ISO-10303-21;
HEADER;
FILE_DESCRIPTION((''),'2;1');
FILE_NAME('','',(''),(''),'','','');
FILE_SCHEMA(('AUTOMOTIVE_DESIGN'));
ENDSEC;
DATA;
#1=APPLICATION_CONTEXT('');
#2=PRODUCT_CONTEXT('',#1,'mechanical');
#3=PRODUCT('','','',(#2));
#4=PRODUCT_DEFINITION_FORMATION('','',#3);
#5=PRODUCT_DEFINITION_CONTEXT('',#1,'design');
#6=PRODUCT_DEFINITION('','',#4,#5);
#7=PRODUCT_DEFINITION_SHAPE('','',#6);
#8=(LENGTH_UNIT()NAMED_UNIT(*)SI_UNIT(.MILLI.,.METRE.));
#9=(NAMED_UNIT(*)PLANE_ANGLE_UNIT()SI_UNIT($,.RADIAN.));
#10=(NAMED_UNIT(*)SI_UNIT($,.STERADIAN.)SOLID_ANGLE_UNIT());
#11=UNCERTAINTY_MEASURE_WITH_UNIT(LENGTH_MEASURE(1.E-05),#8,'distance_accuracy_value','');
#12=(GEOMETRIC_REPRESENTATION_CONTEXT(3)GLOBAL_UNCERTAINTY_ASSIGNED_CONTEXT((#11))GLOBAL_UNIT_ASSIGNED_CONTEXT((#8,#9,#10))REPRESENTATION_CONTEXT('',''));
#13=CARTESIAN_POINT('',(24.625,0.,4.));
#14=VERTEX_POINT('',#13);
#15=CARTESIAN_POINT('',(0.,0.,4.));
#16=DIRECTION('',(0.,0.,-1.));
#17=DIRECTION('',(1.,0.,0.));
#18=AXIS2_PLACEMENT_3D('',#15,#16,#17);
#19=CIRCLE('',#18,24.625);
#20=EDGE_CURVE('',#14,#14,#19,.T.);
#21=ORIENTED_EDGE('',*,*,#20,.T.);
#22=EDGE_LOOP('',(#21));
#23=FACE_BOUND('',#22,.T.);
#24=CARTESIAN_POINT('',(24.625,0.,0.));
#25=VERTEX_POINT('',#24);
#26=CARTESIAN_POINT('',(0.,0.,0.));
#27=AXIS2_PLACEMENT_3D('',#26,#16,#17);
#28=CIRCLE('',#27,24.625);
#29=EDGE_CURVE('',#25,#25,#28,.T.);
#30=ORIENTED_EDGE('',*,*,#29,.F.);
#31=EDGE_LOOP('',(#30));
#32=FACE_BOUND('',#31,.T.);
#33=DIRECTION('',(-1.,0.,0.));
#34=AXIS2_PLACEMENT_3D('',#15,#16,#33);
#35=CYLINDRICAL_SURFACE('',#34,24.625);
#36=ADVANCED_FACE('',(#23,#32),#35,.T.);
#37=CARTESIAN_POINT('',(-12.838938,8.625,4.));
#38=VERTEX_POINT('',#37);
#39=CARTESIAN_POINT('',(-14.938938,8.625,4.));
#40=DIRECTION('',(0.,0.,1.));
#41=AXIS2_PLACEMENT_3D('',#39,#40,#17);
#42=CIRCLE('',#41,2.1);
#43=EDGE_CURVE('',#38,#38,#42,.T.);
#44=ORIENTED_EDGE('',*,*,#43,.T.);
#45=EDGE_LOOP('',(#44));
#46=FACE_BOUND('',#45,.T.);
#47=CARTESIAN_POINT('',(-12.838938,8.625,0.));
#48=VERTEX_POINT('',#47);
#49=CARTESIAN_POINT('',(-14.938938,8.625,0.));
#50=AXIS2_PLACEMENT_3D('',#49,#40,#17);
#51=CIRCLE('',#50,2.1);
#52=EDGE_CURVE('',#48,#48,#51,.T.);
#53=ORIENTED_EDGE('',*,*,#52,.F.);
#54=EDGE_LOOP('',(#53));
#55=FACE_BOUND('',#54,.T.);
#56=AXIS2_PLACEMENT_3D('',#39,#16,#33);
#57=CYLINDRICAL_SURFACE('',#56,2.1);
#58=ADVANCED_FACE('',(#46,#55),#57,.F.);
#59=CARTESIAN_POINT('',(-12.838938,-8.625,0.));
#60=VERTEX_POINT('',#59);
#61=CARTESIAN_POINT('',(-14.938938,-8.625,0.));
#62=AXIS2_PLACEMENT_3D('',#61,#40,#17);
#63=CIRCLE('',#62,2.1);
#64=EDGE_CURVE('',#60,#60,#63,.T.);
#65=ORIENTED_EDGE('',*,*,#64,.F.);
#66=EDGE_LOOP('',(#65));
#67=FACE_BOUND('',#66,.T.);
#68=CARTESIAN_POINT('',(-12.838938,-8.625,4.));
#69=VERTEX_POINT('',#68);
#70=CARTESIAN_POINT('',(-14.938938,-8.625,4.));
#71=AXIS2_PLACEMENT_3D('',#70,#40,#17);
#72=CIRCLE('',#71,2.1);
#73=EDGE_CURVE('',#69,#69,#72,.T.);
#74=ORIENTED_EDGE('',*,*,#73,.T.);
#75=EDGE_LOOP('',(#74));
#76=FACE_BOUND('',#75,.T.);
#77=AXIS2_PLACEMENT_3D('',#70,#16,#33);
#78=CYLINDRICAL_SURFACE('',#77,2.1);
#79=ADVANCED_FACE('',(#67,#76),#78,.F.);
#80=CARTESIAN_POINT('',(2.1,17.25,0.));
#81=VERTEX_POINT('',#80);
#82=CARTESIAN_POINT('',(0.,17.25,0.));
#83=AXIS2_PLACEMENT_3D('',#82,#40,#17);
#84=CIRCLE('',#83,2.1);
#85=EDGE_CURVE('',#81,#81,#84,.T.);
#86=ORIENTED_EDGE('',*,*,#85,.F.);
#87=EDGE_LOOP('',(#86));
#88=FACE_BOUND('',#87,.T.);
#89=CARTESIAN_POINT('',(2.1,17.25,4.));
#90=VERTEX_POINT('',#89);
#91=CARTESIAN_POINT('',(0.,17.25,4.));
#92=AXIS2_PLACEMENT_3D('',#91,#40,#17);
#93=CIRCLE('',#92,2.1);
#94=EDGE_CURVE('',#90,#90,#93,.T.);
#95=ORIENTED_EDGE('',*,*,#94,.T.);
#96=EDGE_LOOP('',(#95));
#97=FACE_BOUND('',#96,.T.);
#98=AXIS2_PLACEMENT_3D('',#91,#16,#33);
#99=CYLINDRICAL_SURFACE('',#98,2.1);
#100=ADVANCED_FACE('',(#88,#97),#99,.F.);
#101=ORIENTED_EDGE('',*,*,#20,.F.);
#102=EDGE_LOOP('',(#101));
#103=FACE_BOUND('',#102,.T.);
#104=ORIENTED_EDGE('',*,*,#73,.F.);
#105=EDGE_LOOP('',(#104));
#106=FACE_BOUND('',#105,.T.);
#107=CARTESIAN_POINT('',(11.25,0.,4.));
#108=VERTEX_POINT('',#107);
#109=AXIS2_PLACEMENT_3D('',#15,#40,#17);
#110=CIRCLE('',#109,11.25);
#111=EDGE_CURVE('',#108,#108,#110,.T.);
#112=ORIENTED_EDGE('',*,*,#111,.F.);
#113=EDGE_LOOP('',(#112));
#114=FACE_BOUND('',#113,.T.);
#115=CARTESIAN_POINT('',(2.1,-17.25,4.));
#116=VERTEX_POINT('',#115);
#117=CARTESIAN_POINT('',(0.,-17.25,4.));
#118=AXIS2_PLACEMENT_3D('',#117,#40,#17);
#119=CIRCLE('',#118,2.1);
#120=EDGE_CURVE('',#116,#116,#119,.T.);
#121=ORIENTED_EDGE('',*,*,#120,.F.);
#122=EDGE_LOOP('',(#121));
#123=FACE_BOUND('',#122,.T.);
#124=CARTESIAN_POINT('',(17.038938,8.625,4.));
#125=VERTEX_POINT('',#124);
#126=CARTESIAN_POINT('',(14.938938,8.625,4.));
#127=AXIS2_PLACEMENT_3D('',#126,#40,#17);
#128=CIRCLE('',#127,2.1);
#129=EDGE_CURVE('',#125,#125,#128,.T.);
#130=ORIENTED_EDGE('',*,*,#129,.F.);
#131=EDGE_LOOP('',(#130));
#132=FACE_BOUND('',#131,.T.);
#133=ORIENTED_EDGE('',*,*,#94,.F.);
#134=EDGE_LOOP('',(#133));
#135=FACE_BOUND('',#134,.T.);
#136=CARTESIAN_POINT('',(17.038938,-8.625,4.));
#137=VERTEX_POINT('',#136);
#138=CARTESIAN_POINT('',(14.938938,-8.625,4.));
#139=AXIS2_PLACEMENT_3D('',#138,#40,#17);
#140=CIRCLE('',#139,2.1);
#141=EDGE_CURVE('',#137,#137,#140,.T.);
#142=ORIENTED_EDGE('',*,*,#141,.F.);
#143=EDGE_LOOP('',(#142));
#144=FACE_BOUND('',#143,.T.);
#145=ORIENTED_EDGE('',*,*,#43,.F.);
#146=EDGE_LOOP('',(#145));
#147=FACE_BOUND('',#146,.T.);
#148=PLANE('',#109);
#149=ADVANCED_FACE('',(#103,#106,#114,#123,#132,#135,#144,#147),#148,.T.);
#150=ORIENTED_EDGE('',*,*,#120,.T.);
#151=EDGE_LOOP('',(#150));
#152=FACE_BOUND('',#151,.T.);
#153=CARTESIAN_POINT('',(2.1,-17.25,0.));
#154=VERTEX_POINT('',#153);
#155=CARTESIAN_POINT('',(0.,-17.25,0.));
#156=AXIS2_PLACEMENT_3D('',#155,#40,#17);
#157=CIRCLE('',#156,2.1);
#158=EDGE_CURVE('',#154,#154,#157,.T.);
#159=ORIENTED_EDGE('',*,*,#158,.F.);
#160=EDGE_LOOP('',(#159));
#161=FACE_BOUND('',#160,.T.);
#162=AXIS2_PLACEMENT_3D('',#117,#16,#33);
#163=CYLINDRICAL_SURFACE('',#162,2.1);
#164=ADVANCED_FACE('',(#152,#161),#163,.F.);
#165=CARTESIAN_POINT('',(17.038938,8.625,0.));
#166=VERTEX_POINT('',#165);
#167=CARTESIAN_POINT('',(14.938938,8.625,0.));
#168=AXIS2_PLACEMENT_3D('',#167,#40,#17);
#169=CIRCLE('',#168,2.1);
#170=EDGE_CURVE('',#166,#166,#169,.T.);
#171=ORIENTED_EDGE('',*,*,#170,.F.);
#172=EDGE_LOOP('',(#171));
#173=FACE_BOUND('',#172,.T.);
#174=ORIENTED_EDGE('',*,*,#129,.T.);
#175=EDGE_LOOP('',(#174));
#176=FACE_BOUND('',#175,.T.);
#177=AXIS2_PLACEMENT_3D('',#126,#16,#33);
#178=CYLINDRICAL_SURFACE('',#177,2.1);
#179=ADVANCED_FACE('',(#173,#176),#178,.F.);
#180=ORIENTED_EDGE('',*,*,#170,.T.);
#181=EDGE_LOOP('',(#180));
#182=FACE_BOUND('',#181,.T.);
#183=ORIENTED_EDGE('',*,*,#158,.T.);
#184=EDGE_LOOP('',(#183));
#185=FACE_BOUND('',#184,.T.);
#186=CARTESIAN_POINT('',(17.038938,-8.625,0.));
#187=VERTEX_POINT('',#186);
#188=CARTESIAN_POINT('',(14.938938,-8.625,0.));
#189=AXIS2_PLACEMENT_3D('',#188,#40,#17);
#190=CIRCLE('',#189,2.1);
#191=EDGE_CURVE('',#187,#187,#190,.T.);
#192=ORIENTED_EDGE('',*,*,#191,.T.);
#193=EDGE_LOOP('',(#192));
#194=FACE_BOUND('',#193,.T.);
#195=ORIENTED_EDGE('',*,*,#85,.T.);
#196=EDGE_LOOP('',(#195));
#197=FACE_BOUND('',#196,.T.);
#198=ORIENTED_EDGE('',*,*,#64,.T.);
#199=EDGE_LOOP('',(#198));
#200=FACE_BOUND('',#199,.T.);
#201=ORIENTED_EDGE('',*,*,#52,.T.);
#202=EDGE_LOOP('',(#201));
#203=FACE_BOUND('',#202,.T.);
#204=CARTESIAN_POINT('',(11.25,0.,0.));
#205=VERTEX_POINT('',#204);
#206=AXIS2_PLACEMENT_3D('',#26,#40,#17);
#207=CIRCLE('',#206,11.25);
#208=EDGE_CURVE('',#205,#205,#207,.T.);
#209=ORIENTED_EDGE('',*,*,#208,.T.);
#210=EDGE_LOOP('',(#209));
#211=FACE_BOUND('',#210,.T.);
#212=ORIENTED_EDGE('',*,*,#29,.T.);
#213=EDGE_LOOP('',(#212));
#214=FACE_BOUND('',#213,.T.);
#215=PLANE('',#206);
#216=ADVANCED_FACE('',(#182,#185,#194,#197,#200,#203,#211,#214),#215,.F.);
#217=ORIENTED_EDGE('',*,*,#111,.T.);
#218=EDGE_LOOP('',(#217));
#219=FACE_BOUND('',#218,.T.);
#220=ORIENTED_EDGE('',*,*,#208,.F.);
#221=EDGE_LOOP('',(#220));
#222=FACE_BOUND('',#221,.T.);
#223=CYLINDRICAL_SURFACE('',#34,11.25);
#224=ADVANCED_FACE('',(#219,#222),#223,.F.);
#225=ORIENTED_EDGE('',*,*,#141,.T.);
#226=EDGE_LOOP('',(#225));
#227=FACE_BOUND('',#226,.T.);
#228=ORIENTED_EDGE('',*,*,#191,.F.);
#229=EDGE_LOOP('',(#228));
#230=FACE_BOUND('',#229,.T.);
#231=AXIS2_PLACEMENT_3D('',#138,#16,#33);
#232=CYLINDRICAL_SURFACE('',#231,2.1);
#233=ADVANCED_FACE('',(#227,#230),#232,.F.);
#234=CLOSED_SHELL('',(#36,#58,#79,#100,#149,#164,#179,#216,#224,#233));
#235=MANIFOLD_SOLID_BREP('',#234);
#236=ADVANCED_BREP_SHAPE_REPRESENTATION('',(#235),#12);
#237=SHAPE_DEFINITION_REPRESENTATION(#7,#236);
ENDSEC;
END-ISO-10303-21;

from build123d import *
from build123d.topology import SkipClean

# Parameters (mm, degrees)
SKETCH_1_R          = 44
SKETCH_1_R_2        = 11.25
SKETCH_1_R_3        = 2.1
EXTRUDE_1_DEPTH     = 4
SKETCH_2_OUTSIDE_W  = 114.904
SKETCH_2_OUTSIDE_H  = 114.904
SKETCH_2_OUTSIDE_R  = 24.625
CUT_EXTRUDE_1_DEPTH = 10


with BuildPart() as part:
    # 草图1 → 凸台-拉伸1 (new body)
    with BuildSketch(Plane.XY):
        Circle(SKETCH_1_R)
        Circle(SKETCH_1_R_2, mode=Mode.SUBTRACT)
        with Locations((0, 17.25)):
            Circle(SKETCH_1_R_3, mode=Mode.SUBTRACT)
        with Locations((14.938938215, 8.625)):
            Circle(SKETCH_1_R_3, mode=Mode.SUBTRACT)
        with Locations((14.938938215, -8.625)):
            Circle(SKETCH_1_R_3, mode=Mode.SUBTRACT)
        with Locations((0, -17.25)):
            Circle(SKETCH_1_R_3, mode=Mode.SUBTRACT)
        with Locations((-14.938938215, -8.625)):
            Circle(SKETCH_1_R_3, mode=Mode.SUBTRACT)
        with Locations((-14.938938215, 8.625)):
            Circle(SKETCH_1_R_3, mode=Mode.SUBTRACT)
        with BuildLine():
            ThreePointArc((23.542096205, 28.056377729), (0, 36.625), (-23.542096205, 28.056377729))
            ThreePointArc((-23.542096205, 28.056377729), (-24.281637205, 19.603385412), (-15.828644889, 18.863844412))
            ThreePointArc((-15.828644889, 18.863844412), (0, 24.625), (15.828644889, 18.863844412))
            ThreePointArc((15.828644889, 18.863844412), (24.281637205, 19.603385412), (23.542096205, 28.056377729))
        make_face(mode=Mode.SUBTRACT)
        with BuildLine():
            ThreePointArc((12.526487749, -34.416242236), (31.718180414, -18.3125), (36.068583954, 6.359864507))
            ThreePointArc((36.068583954, 6.359864507), (29.11784837, 11.226821959), (24.250890918, 4.276086375))
            ThreePointArc((24.250890918, 4.276086375), (21.325875568, -12.3125), (8.422246029, -23.139930787))
            ThreePointArc((8.422246029, -23.139930787), (4.836211165, -30.830207372), (12.526487749, -34.416242236))
        make_face(mode=Mode.SUBTRACT)
        with BuildLine():
            ThreePointArc((-36.068583954, 6.359864507), (-31.718180414, -18.3125), (-12.526487749, -34.416242236))
            ThreePointArc((-12.526487749, -34.416242236), (-4.836211165, -30.830207372), (-8.422246029, -23.139930787))
            ThreePointArc((-8.422246029, -23.139930787), (-21.325875568, -12.3125), (-24.250890918, 4.276086375))
            ThreePointArc((-24.250890918, 4.276086375), (-29.11784837, 11.226821959), (-36.068583954, 6.359864507))
        make_face(mode=Mode.SUBTRACT)
    extrude(amount=EXTRUDE_1_DEPTH)

    # 草图2 outside → 切除-拉伸1 (cut)
    with SkipClean():  # the faces are left unmerged after this step: merging them gives an invalid solid
        with BuildSketch(Plane.XY.offset(4)):
            Rectangle(SKETCH_2_OUTSIDE_W, SKETCH_2_OUTSIDE_H)
            Circle(SKETCH_2_OUTSIDE_R, mode=Mode.SUBTRACT)
        extrude(amount=-CUT_EXTRUDE_1_DEPTH, mode=Mode.SUBTRACT)


solid = part.part
